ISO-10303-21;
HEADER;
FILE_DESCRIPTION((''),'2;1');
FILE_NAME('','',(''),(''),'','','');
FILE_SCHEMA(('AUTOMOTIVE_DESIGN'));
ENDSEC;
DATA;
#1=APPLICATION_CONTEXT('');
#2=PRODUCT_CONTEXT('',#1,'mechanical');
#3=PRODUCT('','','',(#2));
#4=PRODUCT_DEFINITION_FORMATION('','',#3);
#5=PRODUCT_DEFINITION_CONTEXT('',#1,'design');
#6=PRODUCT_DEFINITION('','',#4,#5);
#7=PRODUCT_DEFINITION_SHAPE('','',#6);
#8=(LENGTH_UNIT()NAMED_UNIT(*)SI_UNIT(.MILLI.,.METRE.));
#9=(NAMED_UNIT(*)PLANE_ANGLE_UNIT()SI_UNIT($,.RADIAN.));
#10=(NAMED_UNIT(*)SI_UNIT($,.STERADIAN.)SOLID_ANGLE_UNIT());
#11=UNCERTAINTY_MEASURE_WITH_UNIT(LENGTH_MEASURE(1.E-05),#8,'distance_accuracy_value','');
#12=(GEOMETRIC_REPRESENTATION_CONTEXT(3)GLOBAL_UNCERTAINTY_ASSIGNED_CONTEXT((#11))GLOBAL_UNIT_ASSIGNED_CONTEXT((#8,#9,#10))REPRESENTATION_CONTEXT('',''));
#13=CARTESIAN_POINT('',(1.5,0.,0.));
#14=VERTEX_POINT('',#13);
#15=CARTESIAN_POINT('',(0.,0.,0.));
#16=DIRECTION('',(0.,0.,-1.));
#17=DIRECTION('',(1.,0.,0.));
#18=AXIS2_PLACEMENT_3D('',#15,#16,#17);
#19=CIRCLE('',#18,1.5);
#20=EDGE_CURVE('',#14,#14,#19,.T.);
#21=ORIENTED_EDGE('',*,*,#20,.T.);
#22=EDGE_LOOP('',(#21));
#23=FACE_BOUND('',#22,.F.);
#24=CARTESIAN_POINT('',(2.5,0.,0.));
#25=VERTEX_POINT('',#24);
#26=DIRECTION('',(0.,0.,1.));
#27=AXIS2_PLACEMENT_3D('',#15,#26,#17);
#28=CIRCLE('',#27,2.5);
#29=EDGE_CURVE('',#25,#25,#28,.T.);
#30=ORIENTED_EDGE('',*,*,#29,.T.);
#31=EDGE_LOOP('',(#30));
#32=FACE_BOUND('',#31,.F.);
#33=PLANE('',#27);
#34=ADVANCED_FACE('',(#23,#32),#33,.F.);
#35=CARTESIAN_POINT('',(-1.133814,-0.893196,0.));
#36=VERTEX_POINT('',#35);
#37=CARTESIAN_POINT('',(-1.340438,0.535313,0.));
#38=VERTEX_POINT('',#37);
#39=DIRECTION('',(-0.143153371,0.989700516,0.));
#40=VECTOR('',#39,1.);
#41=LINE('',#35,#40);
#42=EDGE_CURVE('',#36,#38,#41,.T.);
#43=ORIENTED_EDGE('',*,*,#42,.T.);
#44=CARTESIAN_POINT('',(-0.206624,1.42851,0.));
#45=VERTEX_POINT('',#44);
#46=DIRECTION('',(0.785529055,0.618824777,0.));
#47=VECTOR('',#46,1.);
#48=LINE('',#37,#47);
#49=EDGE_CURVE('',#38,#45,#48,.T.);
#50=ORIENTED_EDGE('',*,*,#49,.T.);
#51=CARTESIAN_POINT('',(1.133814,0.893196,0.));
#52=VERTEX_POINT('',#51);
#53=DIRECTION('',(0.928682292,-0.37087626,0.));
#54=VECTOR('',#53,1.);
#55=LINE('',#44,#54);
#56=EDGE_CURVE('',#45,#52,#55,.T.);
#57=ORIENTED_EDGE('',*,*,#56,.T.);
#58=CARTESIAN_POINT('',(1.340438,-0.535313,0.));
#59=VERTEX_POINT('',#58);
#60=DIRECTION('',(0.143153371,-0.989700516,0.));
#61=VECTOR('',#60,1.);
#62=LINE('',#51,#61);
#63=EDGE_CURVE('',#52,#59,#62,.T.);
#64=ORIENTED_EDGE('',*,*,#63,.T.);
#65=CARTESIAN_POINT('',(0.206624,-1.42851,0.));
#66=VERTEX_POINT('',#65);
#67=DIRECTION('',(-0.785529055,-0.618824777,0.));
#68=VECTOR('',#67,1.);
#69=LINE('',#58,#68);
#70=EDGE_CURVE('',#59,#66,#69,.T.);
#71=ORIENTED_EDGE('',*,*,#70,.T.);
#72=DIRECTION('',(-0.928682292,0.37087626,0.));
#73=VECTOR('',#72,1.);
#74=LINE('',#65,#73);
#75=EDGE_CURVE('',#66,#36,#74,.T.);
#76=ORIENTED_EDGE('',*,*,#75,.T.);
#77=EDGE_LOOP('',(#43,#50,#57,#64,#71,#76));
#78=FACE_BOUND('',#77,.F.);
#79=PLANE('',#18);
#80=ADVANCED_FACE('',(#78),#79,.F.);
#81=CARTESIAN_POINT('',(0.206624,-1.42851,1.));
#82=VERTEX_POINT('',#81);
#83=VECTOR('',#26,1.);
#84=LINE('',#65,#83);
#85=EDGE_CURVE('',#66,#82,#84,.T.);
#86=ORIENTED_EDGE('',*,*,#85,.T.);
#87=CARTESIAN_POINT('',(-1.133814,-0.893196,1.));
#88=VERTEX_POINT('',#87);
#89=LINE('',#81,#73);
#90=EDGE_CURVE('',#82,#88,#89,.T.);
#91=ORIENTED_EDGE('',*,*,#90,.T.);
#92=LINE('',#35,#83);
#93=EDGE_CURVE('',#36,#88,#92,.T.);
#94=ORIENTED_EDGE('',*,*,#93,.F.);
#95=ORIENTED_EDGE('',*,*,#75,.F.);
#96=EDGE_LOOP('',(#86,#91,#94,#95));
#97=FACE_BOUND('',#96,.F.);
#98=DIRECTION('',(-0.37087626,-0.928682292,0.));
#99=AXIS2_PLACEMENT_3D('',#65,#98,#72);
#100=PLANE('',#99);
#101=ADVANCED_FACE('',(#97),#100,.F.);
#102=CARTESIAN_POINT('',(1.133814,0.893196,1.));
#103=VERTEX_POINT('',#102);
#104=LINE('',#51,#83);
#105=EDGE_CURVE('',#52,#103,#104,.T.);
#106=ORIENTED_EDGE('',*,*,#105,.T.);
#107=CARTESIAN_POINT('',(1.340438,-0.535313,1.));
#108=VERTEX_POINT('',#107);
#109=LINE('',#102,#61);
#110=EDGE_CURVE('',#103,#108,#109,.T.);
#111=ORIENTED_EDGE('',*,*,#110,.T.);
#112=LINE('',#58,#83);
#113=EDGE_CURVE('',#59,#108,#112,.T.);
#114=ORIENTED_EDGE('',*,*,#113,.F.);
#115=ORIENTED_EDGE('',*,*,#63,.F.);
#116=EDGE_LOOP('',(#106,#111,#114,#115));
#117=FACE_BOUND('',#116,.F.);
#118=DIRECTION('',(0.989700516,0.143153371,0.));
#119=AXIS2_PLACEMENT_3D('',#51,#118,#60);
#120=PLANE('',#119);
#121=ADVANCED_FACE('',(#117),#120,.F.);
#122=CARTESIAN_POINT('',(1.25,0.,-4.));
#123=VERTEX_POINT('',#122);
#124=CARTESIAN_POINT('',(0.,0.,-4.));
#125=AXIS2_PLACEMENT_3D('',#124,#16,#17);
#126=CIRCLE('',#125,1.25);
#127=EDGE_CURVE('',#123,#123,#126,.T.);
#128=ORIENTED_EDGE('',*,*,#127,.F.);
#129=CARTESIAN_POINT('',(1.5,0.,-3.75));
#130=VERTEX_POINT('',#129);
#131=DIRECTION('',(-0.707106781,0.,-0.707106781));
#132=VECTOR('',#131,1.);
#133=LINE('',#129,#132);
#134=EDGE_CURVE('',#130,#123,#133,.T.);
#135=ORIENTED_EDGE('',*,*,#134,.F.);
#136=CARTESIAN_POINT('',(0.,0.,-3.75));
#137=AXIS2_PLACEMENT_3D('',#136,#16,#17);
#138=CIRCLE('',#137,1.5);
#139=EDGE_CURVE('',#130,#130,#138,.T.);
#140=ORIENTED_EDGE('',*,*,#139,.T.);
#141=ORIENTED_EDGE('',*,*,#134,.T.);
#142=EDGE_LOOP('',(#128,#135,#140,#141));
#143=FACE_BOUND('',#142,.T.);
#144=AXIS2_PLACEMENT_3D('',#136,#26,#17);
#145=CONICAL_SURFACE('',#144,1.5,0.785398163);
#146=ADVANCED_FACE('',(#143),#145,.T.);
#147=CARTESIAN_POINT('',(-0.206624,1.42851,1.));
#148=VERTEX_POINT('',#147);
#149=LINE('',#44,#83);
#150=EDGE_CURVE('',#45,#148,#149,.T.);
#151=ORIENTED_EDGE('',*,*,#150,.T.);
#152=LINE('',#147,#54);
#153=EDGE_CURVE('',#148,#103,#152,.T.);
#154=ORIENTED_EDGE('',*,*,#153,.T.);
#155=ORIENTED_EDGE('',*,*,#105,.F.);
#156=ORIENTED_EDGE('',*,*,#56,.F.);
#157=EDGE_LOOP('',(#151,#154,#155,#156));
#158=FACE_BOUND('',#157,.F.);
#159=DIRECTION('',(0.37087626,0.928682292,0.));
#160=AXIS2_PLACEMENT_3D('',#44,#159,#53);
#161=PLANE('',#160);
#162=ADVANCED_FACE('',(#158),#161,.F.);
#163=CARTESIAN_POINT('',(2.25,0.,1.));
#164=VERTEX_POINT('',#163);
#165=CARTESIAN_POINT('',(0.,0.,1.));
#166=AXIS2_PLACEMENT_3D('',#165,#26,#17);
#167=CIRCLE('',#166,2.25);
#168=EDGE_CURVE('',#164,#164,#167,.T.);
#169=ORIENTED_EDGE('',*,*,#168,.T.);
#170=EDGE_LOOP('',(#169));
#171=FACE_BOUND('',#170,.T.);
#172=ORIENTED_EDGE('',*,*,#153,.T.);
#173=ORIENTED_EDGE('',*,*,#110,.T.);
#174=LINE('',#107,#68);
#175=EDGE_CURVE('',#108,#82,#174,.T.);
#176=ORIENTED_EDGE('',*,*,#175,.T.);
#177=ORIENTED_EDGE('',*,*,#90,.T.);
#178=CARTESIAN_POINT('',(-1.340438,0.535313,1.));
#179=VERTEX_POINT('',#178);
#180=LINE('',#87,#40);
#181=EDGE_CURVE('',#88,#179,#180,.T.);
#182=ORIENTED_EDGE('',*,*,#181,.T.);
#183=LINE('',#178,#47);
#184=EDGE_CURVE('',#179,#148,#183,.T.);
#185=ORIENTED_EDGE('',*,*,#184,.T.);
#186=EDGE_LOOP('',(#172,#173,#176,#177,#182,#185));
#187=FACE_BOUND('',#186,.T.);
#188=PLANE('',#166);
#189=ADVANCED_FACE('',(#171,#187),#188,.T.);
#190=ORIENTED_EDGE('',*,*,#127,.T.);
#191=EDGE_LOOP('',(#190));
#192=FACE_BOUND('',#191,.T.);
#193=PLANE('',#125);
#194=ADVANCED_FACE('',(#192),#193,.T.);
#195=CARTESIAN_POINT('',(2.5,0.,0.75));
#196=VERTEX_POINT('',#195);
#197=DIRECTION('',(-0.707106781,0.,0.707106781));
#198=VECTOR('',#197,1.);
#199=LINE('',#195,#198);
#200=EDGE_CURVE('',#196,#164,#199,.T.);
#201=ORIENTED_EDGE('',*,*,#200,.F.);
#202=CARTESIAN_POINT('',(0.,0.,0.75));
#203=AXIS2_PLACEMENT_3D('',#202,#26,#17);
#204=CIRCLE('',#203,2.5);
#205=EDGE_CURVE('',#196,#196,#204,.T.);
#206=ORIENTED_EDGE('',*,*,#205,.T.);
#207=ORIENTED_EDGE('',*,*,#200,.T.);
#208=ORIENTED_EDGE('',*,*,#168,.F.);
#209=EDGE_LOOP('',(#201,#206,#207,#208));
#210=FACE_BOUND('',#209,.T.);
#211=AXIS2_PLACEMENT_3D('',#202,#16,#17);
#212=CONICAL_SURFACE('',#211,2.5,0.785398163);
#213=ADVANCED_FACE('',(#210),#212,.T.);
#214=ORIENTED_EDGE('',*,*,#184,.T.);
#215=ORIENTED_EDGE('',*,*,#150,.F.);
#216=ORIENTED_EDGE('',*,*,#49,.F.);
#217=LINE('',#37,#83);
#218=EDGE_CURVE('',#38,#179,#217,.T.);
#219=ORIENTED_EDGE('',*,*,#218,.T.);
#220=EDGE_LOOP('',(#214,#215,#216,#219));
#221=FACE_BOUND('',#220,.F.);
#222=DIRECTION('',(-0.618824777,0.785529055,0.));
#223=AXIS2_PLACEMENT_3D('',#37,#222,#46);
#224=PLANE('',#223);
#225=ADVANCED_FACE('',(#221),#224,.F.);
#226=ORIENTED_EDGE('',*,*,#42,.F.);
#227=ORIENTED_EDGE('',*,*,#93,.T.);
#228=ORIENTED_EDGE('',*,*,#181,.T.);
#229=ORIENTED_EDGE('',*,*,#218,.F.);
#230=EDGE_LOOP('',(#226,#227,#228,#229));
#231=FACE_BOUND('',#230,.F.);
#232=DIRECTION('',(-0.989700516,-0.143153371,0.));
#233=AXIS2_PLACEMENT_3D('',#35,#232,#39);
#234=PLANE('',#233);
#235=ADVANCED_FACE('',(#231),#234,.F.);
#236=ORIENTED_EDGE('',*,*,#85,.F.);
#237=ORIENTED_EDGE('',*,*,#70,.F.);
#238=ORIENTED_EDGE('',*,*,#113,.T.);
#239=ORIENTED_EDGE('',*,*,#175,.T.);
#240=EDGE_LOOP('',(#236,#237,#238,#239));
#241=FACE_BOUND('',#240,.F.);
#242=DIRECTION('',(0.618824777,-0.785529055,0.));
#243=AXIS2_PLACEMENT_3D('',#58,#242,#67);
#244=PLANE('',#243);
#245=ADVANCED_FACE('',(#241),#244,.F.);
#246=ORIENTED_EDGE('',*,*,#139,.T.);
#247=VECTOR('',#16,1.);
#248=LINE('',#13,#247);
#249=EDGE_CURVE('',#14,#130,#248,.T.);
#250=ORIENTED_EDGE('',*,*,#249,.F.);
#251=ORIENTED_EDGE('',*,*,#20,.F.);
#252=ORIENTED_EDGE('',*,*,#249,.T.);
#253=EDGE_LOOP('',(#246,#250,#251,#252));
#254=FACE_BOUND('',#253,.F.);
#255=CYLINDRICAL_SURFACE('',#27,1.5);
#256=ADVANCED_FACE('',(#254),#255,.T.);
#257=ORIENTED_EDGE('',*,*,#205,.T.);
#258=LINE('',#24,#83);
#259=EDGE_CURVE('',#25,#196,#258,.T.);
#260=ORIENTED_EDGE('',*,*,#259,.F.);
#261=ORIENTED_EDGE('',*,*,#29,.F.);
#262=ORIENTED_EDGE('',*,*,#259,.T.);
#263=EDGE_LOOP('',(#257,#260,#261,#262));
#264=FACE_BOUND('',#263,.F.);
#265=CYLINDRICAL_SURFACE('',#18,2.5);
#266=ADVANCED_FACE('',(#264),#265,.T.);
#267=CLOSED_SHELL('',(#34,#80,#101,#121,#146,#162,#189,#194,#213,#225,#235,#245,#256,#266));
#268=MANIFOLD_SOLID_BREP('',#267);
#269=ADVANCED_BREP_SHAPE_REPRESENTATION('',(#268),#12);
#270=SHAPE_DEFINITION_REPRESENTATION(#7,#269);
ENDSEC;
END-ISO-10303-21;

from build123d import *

# Parameters (mm, degrees)
F0_R     = 2.5
F1_DEPTH = 1
F2_R     = 1.5
F3_DEPTH = 4
F4_SIZE  = 0.25
F5_SIZE  = 0.25


with BuildPart() as f1:
    # F0 (on Top) → F1 (new body)
    with BuildSketch(Plane.XY):
        Circle(F0_R)
        Polygon((1.133814, 0.893196), (1.340438, -0.535313), (0.206624, -1.42851), (-1.133814, -0.893196), (-1.340438, 0.535313), (-0.206624, 1.42851), align=None, mode=Mode.SUBTRACT)
    extrude(amount=F1_DEPTH)

    # F2 (on face) → F3 (join)
    with BuildSketch(Plane(origin=(0, 0, 0), x_dir=(1, 0, 0), z_dir=(0, 0, -1))):
        Circle(F2_R)
    extrude(amount=F3_DEPTH)

    # F4
    f4_edges = [f1.edges().sort_by_distance(p)[0] for p in [
        (-2.5, 0, 1),
    ]]
    chamfer(f4_edges, length=F4_SIZE)

    # F5
    f5_edges = [f1.edges().sort_by_distance(p)[0] for p in [
        (-1.5, 0, -4),
    ]]
    chamfer(f5_edges, length=F5_SIZE)


solid = f1.part
